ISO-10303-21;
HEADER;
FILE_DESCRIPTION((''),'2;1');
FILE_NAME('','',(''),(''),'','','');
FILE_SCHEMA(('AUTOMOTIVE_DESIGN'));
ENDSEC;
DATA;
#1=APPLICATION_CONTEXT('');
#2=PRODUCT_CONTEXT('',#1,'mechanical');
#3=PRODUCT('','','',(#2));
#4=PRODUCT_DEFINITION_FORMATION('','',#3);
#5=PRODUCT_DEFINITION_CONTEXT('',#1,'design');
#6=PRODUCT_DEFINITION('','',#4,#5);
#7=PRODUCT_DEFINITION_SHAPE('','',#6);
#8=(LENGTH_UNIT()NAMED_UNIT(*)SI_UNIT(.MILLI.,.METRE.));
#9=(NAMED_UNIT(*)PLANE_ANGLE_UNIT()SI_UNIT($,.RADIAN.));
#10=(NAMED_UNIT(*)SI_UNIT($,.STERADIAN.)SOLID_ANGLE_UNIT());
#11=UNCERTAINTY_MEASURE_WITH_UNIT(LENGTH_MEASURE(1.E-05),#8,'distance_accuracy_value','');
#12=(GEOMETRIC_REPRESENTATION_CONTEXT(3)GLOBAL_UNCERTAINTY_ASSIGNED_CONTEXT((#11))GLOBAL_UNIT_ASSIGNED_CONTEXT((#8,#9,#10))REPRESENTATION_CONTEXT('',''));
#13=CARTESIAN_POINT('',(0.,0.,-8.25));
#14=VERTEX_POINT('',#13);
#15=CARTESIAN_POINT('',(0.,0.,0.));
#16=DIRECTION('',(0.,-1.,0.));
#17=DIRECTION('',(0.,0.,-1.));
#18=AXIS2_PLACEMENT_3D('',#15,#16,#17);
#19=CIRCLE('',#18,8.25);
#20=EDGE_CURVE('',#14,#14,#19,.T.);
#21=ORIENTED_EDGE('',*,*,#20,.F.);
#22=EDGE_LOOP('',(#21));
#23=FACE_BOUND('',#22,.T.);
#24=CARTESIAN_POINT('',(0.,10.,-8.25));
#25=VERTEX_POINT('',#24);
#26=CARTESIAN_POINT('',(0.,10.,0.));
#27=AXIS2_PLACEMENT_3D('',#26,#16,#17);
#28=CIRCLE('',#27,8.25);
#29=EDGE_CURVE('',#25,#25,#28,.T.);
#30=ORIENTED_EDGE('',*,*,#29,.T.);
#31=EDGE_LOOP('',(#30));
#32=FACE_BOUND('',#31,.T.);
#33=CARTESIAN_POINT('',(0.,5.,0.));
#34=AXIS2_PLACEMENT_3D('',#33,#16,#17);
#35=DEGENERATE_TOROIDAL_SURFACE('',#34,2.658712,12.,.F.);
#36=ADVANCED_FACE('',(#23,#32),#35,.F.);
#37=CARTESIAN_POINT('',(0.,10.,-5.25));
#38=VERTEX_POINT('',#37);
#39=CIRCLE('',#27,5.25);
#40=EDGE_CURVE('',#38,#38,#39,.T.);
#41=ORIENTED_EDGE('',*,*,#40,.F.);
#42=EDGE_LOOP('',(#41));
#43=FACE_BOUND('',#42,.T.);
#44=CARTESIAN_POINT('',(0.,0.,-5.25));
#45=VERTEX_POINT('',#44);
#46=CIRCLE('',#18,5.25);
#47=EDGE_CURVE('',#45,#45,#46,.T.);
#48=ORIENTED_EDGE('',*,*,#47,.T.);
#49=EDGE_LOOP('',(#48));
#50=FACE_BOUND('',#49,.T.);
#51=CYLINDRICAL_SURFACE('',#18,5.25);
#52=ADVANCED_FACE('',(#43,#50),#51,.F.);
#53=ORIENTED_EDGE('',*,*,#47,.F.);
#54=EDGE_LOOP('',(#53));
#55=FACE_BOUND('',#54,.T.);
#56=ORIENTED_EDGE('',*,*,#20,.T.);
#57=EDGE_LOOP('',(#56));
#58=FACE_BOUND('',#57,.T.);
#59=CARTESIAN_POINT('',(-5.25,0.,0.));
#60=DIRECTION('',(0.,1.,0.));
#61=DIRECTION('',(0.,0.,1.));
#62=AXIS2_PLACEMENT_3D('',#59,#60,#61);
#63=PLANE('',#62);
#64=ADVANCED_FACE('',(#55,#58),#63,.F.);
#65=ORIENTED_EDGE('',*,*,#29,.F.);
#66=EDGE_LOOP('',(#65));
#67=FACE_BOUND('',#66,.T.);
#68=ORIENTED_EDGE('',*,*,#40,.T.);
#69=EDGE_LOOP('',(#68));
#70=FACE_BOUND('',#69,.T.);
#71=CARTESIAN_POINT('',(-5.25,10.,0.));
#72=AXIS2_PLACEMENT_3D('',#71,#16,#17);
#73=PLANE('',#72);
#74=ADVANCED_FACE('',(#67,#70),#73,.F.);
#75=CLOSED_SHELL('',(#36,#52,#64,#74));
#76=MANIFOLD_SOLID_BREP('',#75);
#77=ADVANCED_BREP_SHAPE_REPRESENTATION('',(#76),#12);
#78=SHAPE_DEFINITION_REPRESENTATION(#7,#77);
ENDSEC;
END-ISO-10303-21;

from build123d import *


with BuildPart() as part:
    # Sketch1 → Revolve1 (revolve)
    with BuildSketch(Plane.XY, mode=Mode.PRIVATE) as revolve1_sk:
        with BuildLine():
            Line((-5.25, 10), (-5.25, 0))
            Line((-5.25, 0), (-8.25, 0))
            ThreePointArc((-8.25, 0), (-9.341287885, 5), (-8.25, 10))
            Line((-8.25, 10), (-5.25, 10))
        make_face()
    revolve(revolve1_sk.sketch.rotate(Axis((0, 0, 0), (0, 1, 0)), 270), axis=Axis((0, 0, 0), (0, 1, 0)))


solid = part.part
